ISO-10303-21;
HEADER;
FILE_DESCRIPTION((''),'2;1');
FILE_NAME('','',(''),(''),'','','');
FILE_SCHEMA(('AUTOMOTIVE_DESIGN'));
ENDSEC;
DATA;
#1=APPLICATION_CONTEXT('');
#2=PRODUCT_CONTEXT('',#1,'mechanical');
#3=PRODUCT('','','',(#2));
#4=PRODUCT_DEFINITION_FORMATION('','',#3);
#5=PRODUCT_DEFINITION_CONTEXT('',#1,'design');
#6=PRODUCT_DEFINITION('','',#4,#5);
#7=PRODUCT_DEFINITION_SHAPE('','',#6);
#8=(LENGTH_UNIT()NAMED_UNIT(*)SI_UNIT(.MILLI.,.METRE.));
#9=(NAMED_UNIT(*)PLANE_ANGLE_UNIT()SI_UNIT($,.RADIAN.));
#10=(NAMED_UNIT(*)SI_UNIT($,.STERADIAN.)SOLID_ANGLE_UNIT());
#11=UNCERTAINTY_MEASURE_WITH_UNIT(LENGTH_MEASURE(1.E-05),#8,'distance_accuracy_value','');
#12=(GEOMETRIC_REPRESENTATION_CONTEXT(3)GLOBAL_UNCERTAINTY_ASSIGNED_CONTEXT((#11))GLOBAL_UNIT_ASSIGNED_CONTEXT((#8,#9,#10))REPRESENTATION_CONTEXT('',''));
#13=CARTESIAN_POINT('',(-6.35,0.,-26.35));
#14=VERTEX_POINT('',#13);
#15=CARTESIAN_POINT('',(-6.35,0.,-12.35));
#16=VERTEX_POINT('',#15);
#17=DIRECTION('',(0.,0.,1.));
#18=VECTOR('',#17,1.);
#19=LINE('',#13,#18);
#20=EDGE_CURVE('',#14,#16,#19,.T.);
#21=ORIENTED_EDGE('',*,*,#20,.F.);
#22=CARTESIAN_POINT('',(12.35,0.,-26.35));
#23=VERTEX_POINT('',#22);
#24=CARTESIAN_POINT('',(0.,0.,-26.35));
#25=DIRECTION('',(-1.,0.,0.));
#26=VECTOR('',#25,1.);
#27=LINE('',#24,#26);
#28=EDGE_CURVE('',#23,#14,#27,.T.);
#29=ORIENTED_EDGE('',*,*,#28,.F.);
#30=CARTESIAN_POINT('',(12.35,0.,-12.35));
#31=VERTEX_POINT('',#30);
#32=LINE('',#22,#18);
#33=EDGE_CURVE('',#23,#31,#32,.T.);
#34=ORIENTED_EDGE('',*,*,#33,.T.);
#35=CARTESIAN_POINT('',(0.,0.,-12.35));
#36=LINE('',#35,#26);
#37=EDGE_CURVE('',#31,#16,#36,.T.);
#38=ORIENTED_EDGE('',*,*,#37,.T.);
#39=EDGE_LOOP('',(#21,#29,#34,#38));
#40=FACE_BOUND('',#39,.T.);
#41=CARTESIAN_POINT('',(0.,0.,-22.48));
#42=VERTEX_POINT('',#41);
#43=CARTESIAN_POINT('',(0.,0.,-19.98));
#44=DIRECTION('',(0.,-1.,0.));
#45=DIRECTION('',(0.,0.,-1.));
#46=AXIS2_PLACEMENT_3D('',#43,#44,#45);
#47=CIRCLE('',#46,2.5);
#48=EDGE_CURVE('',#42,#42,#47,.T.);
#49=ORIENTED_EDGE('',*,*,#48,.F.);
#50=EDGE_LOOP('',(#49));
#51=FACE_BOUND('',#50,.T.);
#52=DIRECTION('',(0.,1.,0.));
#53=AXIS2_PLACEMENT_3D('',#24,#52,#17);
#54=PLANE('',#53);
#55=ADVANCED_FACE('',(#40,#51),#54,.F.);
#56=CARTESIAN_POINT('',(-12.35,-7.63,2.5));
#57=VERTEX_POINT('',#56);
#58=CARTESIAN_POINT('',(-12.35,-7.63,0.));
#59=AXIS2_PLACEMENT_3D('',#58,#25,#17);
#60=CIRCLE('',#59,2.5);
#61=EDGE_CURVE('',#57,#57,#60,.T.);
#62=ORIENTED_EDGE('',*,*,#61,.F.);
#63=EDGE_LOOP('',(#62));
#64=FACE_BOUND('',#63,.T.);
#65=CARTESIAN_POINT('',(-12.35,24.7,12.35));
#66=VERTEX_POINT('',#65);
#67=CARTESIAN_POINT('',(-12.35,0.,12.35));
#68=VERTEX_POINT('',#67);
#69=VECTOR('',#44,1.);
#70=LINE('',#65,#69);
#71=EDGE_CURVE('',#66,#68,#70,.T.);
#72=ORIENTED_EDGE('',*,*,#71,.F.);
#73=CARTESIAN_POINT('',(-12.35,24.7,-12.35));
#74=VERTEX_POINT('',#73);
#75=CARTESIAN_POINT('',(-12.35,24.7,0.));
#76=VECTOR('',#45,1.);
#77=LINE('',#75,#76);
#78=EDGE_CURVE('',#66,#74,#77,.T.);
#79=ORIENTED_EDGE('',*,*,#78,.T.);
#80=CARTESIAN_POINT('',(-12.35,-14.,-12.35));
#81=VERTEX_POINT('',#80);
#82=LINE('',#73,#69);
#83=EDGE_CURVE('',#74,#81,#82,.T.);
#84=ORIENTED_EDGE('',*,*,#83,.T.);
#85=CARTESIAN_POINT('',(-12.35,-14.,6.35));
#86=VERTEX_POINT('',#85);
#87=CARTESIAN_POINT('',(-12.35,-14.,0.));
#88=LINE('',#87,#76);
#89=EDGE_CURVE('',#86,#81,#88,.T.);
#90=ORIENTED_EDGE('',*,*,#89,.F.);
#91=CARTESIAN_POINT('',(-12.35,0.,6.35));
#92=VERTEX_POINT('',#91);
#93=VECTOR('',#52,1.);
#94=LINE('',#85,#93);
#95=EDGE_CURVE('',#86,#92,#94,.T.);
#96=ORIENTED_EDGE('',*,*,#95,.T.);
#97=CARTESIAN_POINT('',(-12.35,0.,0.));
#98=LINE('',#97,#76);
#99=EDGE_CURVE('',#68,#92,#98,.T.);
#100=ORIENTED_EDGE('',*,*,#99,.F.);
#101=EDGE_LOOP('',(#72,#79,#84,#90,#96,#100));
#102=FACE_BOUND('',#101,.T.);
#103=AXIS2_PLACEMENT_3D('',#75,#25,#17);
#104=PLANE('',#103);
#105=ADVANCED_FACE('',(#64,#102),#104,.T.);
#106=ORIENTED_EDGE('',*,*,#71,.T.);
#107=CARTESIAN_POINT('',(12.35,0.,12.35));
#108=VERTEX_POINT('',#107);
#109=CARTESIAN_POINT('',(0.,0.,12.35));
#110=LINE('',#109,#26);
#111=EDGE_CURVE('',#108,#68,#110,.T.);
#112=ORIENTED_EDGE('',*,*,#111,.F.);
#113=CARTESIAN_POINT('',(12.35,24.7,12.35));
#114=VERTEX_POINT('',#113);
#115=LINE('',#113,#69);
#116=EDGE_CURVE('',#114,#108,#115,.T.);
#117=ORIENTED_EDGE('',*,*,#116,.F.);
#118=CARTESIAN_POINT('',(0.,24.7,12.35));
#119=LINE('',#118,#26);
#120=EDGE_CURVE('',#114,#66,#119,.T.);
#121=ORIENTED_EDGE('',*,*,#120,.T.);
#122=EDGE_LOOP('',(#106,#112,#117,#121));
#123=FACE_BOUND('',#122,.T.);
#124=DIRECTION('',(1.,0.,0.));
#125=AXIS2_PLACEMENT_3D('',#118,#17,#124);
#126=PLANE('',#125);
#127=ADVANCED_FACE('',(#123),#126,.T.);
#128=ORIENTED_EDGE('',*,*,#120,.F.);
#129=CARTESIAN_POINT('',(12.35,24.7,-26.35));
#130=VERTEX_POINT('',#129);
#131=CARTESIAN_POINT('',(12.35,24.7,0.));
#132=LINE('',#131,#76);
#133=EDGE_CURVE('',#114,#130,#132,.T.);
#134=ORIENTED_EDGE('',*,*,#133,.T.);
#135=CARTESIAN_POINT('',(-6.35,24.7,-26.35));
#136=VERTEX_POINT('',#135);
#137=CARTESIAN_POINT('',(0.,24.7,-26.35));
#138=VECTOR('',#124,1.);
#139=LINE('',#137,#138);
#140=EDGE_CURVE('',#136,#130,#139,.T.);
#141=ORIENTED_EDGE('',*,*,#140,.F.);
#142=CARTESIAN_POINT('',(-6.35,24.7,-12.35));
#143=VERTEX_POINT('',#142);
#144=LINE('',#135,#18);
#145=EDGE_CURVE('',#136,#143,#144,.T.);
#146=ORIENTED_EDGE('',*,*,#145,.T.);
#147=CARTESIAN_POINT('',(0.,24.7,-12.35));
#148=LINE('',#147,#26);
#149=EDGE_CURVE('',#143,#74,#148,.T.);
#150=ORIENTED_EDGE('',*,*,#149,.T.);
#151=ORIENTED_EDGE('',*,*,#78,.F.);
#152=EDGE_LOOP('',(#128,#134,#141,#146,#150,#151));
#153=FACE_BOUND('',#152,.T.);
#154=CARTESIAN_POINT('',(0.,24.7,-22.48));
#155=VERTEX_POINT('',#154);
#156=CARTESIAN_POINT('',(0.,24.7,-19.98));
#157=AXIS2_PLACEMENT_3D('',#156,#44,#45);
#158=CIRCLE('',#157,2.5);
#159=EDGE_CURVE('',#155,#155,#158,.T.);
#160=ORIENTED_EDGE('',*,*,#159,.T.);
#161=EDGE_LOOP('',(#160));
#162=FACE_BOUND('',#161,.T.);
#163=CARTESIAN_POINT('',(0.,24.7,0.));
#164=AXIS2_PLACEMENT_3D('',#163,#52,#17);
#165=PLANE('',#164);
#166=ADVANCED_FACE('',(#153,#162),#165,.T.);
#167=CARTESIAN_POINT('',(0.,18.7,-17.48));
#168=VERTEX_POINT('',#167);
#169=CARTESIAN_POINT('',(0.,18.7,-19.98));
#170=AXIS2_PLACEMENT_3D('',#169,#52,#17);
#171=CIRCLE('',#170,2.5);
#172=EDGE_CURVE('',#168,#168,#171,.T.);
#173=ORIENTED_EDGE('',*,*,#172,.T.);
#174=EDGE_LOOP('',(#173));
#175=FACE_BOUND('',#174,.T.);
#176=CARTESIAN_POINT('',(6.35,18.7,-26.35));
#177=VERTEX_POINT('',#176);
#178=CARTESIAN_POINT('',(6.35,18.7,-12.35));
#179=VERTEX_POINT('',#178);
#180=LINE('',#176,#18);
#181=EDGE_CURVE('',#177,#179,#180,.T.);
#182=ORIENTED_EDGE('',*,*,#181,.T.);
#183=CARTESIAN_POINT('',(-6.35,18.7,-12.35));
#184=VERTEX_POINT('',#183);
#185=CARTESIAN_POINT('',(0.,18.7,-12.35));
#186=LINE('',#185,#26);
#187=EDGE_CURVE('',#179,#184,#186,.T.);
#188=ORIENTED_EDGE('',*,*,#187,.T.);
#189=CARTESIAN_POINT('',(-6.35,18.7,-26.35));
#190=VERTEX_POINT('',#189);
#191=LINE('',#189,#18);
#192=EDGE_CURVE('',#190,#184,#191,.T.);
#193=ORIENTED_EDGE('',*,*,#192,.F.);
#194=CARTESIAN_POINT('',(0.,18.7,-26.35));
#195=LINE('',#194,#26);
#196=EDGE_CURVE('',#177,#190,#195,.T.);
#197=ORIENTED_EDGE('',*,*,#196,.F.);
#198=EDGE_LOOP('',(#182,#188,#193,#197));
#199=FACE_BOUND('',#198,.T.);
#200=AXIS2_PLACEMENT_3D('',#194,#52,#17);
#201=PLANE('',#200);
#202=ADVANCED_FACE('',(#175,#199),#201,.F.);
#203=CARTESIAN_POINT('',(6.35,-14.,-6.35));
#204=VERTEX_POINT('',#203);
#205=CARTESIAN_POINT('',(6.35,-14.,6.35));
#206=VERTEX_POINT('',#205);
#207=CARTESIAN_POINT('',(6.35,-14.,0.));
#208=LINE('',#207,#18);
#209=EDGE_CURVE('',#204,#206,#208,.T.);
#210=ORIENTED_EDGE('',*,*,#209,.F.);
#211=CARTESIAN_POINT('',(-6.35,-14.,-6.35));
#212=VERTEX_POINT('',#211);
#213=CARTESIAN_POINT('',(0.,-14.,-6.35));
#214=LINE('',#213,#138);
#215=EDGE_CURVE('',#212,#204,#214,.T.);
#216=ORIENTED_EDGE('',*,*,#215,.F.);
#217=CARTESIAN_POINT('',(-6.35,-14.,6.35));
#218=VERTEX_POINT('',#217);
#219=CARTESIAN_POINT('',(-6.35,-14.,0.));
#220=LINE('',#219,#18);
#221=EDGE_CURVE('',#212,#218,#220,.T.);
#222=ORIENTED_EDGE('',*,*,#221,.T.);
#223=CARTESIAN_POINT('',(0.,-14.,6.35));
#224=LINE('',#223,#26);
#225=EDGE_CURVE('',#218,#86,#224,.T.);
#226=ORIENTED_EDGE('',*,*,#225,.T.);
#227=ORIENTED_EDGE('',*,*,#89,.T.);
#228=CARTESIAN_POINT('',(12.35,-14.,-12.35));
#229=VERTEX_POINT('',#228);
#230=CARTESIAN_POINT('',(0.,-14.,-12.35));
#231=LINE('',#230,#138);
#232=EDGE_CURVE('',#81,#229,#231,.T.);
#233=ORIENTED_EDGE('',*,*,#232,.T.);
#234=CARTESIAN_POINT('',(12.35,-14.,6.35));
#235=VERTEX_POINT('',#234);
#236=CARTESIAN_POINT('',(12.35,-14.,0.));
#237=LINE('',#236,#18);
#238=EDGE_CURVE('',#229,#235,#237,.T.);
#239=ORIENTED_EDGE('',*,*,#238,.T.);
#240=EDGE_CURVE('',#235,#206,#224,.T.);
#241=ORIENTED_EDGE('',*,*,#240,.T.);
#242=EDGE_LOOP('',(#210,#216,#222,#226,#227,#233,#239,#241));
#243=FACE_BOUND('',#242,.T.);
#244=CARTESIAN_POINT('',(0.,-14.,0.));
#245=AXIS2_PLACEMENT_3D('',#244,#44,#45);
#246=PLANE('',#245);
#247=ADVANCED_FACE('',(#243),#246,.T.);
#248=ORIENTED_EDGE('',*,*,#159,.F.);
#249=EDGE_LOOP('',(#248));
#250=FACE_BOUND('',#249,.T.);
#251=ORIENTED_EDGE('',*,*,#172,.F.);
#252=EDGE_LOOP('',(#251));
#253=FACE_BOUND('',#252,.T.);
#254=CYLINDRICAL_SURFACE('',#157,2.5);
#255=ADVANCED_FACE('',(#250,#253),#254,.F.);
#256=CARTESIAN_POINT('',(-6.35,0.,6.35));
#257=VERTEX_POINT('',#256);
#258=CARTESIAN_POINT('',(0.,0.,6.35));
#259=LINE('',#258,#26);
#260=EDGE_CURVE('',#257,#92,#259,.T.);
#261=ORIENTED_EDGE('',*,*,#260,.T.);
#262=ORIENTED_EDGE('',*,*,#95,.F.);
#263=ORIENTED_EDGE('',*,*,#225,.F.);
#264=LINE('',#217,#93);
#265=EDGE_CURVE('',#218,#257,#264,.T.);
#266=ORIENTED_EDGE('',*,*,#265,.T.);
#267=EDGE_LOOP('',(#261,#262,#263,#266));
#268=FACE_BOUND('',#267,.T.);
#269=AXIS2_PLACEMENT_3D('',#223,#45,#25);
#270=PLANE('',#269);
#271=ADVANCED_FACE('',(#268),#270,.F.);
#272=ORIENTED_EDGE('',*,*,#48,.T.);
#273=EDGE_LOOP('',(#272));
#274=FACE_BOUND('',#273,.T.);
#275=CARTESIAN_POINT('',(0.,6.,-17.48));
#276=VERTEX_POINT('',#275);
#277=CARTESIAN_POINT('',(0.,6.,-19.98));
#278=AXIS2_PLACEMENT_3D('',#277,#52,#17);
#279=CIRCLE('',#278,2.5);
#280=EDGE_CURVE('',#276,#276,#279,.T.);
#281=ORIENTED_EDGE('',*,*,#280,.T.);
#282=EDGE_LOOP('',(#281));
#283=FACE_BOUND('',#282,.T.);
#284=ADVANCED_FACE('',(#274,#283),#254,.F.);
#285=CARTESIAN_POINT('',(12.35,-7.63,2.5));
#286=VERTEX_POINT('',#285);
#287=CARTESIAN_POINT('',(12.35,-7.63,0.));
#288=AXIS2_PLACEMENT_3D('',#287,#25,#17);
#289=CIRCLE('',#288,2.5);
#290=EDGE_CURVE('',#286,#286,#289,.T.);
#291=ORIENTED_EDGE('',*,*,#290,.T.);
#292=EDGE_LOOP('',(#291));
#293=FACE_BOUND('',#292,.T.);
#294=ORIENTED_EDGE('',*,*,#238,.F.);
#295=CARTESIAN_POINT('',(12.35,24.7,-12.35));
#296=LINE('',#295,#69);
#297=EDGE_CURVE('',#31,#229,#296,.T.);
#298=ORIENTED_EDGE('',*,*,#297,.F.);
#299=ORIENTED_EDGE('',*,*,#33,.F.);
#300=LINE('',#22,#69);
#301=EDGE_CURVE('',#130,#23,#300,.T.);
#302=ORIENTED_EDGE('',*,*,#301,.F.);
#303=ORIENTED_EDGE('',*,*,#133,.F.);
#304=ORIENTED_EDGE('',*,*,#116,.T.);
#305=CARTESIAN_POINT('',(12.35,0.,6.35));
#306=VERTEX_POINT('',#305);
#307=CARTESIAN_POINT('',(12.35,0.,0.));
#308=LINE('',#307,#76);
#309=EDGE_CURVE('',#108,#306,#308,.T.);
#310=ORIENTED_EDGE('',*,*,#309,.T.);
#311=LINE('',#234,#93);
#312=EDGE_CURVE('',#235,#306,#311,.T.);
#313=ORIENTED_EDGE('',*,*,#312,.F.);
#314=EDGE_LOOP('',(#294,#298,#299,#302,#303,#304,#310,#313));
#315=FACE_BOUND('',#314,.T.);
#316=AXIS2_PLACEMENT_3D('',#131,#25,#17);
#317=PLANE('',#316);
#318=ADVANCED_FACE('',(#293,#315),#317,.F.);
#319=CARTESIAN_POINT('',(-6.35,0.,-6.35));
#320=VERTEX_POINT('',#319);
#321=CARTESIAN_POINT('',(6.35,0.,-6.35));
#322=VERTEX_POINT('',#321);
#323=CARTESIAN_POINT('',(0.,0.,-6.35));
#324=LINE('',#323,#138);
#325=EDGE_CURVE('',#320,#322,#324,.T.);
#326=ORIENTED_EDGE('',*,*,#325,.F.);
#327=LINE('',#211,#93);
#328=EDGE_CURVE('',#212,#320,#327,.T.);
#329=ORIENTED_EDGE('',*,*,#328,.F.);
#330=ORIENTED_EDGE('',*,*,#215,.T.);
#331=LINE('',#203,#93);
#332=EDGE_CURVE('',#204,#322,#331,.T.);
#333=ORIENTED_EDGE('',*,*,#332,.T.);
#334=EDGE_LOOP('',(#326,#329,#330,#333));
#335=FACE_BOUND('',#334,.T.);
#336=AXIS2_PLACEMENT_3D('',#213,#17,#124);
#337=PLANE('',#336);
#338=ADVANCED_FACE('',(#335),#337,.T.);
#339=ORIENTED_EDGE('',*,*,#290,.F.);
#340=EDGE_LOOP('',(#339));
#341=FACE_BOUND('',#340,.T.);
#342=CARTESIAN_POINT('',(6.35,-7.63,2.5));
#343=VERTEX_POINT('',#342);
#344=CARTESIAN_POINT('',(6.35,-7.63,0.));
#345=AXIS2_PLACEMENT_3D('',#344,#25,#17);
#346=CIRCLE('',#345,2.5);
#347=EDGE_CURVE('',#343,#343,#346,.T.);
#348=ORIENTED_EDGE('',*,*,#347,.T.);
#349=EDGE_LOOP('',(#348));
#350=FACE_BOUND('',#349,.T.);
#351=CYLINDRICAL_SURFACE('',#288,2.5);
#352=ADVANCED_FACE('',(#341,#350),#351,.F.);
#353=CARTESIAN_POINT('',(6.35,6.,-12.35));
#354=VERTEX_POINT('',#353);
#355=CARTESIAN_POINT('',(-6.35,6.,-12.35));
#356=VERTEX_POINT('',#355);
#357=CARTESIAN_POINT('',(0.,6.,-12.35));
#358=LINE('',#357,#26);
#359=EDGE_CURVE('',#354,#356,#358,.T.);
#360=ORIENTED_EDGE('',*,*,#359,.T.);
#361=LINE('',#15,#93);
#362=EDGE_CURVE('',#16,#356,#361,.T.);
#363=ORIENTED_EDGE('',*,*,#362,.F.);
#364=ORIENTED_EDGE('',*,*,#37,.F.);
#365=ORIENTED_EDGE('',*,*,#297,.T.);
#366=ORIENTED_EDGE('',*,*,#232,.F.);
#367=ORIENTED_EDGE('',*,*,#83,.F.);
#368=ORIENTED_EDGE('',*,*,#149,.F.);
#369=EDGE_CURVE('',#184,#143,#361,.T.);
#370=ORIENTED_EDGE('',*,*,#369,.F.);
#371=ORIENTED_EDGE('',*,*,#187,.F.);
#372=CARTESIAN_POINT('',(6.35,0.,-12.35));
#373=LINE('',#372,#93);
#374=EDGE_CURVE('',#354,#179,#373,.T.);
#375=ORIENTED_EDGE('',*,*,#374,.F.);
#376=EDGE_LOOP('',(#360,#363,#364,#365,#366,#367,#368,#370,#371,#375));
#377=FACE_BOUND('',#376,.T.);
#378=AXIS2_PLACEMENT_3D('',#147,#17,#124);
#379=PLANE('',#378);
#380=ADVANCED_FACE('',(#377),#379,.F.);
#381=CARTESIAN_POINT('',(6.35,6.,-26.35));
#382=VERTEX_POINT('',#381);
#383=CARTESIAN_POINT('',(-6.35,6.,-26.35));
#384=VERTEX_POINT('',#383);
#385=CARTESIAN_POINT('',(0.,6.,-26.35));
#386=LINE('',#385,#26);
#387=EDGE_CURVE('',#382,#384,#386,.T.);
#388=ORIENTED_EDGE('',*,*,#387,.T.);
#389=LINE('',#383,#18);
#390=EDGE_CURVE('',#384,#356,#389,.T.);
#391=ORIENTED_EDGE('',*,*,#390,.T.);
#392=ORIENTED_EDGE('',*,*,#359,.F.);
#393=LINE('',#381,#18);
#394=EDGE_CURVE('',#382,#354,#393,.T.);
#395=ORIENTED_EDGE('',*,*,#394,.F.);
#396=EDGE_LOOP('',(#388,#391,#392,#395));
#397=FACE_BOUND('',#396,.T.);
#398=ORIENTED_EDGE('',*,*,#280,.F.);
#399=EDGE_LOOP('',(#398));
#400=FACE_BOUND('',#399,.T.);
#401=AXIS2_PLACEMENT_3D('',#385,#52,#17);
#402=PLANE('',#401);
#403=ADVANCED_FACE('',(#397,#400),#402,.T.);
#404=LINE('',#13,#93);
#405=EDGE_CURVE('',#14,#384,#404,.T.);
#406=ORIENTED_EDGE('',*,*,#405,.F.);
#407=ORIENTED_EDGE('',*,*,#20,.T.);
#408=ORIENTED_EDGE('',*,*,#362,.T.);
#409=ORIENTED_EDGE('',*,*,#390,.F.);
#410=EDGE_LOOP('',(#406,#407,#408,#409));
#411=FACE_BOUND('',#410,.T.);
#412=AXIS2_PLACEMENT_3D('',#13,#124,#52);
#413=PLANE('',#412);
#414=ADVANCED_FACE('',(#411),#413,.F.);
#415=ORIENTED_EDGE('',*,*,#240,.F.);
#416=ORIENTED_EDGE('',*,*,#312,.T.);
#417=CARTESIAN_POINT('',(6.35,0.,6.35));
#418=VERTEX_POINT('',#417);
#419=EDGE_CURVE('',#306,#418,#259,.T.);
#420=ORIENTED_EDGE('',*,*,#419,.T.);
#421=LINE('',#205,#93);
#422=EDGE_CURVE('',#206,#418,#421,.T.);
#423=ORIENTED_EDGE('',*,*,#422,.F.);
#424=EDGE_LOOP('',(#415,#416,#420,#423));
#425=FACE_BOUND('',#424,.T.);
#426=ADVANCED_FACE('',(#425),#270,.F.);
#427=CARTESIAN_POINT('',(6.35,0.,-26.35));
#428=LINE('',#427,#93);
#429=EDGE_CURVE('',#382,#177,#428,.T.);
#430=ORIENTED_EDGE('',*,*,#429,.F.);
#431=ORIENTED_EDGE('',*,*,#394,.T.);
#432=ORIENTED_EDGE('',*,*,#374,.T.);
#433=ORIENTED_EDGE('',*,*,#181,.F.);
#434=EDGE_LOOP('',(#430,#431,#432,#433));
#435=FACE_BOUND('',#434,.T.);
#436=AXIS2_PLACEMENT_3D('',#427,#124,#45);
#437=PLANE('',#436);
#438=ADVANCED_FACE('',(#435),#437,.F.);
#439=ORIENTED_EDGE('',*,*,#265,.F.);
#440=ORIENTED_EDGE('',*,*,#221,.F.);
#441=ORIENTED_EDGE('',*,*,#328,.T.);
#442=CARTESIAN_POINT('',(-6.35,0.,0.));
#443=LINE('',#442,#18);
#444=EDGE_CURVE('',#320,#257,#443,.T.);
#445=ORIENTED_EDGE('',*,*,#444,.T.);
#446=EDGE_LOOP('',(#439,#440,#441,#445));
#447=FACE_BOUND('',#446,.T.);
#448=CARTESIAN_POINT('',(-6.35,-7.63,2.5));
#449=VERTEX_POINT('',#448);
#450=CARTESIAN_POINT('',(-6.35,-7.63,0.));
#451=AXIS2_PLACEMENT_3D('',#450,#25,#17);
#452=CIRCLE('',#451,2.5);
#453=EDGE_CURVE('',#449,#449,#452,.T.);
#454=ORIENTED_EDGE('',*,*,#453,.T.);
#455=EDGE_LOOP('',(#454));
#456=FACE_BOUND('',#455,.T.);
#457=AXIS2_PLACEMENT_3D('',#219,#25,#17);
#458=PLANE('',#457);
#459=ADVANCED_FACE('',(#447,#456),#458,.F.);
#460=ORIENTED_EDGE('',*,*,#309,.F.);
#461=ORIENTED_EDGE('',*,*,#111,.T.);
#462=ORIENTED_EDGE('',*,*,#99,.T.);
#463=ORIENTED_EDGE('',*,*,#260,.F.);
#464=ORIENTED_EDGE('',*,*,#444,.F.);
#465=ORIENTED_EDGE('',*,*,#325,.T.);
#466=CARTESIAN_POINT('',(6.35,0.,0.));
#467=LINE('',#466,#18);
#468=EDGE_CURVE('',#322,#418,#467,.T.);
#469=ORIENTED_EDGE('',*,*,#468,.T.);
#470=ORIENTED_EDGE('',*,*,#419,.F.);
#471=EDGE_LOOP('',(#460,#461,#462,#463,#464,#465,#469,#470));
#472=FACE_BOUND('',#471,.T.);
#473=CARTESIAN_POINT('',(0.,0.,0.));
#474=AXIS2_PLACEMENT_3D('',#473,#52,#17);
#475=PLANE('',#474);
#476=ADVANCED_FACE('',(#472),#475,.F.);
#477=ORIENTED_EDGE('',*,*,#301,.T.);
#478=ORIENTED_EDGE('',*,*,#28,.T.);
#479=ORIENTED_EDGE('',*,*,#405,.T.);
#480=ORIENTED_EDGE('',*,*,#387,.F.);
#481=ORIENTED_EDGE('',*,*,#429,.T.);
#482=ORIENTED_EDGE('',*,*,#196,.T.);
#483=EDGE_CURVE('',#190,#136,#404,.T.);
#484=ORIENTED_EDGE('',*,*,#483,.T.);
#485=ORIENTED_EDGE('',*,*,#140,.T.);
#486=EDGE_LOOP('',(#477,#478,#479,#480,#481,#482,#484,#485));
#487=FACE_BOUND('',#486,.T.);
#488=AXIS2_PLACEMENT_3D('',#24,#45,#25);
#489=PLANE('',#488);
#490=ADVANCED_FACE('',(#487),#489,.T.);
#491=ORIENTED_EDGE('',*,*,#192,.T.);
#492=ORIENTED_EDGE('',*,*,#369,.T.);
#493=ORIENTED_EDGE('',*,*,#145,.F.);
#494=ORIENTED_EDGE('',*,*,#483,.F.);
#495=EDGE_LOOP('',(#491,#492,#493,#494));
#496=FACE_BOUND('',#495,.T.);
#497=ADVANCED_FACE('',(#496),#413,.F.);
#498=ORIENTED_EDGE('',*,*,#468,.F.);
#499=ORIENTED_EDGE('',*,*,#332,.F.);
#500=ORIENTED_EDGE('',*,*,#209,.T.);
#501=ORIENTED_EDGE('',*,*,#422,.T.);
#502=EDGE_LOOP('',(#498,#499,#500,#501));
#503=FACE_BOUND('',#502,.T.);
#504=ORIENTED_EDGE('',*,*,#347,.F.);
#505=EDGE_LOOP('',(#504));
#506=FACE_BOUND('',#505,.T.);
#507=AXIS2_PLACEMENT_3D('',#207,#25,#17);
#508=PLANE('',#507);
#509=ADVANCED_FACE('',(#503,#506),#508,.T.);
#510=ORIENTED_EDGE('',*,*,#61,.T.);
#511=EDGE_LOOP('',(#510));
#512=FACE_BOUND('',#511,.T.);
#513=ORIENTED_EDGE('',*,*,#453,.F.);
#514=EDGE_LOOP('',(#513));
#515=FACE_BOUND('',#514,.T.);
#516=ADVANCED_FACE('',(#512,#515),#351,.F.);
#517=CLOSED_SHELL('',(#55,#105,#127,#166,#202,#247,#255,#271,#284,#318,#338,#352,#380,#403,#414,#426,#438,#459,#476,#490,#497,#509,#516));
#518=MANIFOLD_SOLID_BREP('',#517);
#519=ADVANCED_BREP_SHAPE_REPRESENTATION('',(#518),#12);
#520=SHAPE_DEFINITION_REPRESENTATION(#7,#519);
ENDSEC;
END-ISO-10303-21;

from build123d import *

# Parameters (mm, degrees)
SKETCH_1_W          = 24.7
SKETCH_1_H          = 24.7
SKETCH_1_W_2        = 12.7
SKETCH_1_H_2        = 12.7
EXTRUDE_2_DEPTH     = 24.7
EXTRUDE_3_DEPTH     = 14
EXTRUDE_5_DEPTH     = 14
SKETCH_6_R          = 2.5
CUT_EXTRUDE_1_DEPTH = 39.169817919
SKETCH_7_R          = 2.5
CUT_EXTRUDE_2_DEPTH = 44.755028282


with BuildPart() as part:
    # 草图1 → 凸台-拉伸2 (new body)
    # profile 1 of 2: a face of its own
    with BuildSketch(Plane(origin=(0, 0, 0), x_dir=(1, 0, 0), z_dir=(0, 1, 0))):
        Rectangle(SKETCH_1_W, SKETCH_1_H)
        Rectangle(SKETCH_1_W_2, SKETCH_1_H_2, mode=Mode.SUBTRACT)
    # profile 2 of 2: a face of its own
    with BuildSketch(Plane(origin=(0, 0, 0), x_dir=(1, 0, 0), z_dir=(0, 1, 0))):
        Rectangle(SKETCH_1_W_2, SKETCH_1_H_2)
    extrude(amount=EXTRUDE_2_DEPTH)

    # 草图3 → 凸台-拉伸3 (add)
    with BuildSketch(Plane.XZ):
        Polygon((-6.35, -6.35), (-6.35, 6.35), (-12.35, 6.35), (-12.35, -12.35), (12.35, -12.35), (12.35, 6.35), (6.35, 6.35), (6.35, -6.35), align=None)
    extrude(amount=EXTRUDE_3_DEPTH)

    # 草图5 → 凸台-拉伸5 (add)
    with BuildSketch(Plane(origin=(0, 0, -12.35), x_dir=(-1, 0, 0), z_dir=(0, 0, -1))):
        Polygon((6.35, 24.7), (-12.35, 24.7), (-12.35, 0), (6.35, 0), (6.35, 6), (-6.35, 6), (-6.35, 18.7), (6.35, 18.7), align=None)
    extrude(amount=EXTRUDE_5_DEPTH)

    # 草图6 → 切除-拉伸1 (cut, through all)
    with BuildSketch(Plane.XZ):
        with Locations(Location((0, -19.98, 0), (0, 0, 270))):
            Circle(SKETCH_6_R)
    extrude(amount=-CUT_EXTRUDE_1_DEPTH, mode=Mode.SUBTRACT)

    # 草图7 → 切除-拉伸2 (cut, through all)
    with BuildSketch(Plane.ZY.offset(12.35)):
        with Locations((0, -7.63)):
            Circle(SKETCH_7_R)
    extrude(amount=-CUT_EXTRUDE_2_DEPTH, mode=Mode.SUBTRACT)


solid = part.part
